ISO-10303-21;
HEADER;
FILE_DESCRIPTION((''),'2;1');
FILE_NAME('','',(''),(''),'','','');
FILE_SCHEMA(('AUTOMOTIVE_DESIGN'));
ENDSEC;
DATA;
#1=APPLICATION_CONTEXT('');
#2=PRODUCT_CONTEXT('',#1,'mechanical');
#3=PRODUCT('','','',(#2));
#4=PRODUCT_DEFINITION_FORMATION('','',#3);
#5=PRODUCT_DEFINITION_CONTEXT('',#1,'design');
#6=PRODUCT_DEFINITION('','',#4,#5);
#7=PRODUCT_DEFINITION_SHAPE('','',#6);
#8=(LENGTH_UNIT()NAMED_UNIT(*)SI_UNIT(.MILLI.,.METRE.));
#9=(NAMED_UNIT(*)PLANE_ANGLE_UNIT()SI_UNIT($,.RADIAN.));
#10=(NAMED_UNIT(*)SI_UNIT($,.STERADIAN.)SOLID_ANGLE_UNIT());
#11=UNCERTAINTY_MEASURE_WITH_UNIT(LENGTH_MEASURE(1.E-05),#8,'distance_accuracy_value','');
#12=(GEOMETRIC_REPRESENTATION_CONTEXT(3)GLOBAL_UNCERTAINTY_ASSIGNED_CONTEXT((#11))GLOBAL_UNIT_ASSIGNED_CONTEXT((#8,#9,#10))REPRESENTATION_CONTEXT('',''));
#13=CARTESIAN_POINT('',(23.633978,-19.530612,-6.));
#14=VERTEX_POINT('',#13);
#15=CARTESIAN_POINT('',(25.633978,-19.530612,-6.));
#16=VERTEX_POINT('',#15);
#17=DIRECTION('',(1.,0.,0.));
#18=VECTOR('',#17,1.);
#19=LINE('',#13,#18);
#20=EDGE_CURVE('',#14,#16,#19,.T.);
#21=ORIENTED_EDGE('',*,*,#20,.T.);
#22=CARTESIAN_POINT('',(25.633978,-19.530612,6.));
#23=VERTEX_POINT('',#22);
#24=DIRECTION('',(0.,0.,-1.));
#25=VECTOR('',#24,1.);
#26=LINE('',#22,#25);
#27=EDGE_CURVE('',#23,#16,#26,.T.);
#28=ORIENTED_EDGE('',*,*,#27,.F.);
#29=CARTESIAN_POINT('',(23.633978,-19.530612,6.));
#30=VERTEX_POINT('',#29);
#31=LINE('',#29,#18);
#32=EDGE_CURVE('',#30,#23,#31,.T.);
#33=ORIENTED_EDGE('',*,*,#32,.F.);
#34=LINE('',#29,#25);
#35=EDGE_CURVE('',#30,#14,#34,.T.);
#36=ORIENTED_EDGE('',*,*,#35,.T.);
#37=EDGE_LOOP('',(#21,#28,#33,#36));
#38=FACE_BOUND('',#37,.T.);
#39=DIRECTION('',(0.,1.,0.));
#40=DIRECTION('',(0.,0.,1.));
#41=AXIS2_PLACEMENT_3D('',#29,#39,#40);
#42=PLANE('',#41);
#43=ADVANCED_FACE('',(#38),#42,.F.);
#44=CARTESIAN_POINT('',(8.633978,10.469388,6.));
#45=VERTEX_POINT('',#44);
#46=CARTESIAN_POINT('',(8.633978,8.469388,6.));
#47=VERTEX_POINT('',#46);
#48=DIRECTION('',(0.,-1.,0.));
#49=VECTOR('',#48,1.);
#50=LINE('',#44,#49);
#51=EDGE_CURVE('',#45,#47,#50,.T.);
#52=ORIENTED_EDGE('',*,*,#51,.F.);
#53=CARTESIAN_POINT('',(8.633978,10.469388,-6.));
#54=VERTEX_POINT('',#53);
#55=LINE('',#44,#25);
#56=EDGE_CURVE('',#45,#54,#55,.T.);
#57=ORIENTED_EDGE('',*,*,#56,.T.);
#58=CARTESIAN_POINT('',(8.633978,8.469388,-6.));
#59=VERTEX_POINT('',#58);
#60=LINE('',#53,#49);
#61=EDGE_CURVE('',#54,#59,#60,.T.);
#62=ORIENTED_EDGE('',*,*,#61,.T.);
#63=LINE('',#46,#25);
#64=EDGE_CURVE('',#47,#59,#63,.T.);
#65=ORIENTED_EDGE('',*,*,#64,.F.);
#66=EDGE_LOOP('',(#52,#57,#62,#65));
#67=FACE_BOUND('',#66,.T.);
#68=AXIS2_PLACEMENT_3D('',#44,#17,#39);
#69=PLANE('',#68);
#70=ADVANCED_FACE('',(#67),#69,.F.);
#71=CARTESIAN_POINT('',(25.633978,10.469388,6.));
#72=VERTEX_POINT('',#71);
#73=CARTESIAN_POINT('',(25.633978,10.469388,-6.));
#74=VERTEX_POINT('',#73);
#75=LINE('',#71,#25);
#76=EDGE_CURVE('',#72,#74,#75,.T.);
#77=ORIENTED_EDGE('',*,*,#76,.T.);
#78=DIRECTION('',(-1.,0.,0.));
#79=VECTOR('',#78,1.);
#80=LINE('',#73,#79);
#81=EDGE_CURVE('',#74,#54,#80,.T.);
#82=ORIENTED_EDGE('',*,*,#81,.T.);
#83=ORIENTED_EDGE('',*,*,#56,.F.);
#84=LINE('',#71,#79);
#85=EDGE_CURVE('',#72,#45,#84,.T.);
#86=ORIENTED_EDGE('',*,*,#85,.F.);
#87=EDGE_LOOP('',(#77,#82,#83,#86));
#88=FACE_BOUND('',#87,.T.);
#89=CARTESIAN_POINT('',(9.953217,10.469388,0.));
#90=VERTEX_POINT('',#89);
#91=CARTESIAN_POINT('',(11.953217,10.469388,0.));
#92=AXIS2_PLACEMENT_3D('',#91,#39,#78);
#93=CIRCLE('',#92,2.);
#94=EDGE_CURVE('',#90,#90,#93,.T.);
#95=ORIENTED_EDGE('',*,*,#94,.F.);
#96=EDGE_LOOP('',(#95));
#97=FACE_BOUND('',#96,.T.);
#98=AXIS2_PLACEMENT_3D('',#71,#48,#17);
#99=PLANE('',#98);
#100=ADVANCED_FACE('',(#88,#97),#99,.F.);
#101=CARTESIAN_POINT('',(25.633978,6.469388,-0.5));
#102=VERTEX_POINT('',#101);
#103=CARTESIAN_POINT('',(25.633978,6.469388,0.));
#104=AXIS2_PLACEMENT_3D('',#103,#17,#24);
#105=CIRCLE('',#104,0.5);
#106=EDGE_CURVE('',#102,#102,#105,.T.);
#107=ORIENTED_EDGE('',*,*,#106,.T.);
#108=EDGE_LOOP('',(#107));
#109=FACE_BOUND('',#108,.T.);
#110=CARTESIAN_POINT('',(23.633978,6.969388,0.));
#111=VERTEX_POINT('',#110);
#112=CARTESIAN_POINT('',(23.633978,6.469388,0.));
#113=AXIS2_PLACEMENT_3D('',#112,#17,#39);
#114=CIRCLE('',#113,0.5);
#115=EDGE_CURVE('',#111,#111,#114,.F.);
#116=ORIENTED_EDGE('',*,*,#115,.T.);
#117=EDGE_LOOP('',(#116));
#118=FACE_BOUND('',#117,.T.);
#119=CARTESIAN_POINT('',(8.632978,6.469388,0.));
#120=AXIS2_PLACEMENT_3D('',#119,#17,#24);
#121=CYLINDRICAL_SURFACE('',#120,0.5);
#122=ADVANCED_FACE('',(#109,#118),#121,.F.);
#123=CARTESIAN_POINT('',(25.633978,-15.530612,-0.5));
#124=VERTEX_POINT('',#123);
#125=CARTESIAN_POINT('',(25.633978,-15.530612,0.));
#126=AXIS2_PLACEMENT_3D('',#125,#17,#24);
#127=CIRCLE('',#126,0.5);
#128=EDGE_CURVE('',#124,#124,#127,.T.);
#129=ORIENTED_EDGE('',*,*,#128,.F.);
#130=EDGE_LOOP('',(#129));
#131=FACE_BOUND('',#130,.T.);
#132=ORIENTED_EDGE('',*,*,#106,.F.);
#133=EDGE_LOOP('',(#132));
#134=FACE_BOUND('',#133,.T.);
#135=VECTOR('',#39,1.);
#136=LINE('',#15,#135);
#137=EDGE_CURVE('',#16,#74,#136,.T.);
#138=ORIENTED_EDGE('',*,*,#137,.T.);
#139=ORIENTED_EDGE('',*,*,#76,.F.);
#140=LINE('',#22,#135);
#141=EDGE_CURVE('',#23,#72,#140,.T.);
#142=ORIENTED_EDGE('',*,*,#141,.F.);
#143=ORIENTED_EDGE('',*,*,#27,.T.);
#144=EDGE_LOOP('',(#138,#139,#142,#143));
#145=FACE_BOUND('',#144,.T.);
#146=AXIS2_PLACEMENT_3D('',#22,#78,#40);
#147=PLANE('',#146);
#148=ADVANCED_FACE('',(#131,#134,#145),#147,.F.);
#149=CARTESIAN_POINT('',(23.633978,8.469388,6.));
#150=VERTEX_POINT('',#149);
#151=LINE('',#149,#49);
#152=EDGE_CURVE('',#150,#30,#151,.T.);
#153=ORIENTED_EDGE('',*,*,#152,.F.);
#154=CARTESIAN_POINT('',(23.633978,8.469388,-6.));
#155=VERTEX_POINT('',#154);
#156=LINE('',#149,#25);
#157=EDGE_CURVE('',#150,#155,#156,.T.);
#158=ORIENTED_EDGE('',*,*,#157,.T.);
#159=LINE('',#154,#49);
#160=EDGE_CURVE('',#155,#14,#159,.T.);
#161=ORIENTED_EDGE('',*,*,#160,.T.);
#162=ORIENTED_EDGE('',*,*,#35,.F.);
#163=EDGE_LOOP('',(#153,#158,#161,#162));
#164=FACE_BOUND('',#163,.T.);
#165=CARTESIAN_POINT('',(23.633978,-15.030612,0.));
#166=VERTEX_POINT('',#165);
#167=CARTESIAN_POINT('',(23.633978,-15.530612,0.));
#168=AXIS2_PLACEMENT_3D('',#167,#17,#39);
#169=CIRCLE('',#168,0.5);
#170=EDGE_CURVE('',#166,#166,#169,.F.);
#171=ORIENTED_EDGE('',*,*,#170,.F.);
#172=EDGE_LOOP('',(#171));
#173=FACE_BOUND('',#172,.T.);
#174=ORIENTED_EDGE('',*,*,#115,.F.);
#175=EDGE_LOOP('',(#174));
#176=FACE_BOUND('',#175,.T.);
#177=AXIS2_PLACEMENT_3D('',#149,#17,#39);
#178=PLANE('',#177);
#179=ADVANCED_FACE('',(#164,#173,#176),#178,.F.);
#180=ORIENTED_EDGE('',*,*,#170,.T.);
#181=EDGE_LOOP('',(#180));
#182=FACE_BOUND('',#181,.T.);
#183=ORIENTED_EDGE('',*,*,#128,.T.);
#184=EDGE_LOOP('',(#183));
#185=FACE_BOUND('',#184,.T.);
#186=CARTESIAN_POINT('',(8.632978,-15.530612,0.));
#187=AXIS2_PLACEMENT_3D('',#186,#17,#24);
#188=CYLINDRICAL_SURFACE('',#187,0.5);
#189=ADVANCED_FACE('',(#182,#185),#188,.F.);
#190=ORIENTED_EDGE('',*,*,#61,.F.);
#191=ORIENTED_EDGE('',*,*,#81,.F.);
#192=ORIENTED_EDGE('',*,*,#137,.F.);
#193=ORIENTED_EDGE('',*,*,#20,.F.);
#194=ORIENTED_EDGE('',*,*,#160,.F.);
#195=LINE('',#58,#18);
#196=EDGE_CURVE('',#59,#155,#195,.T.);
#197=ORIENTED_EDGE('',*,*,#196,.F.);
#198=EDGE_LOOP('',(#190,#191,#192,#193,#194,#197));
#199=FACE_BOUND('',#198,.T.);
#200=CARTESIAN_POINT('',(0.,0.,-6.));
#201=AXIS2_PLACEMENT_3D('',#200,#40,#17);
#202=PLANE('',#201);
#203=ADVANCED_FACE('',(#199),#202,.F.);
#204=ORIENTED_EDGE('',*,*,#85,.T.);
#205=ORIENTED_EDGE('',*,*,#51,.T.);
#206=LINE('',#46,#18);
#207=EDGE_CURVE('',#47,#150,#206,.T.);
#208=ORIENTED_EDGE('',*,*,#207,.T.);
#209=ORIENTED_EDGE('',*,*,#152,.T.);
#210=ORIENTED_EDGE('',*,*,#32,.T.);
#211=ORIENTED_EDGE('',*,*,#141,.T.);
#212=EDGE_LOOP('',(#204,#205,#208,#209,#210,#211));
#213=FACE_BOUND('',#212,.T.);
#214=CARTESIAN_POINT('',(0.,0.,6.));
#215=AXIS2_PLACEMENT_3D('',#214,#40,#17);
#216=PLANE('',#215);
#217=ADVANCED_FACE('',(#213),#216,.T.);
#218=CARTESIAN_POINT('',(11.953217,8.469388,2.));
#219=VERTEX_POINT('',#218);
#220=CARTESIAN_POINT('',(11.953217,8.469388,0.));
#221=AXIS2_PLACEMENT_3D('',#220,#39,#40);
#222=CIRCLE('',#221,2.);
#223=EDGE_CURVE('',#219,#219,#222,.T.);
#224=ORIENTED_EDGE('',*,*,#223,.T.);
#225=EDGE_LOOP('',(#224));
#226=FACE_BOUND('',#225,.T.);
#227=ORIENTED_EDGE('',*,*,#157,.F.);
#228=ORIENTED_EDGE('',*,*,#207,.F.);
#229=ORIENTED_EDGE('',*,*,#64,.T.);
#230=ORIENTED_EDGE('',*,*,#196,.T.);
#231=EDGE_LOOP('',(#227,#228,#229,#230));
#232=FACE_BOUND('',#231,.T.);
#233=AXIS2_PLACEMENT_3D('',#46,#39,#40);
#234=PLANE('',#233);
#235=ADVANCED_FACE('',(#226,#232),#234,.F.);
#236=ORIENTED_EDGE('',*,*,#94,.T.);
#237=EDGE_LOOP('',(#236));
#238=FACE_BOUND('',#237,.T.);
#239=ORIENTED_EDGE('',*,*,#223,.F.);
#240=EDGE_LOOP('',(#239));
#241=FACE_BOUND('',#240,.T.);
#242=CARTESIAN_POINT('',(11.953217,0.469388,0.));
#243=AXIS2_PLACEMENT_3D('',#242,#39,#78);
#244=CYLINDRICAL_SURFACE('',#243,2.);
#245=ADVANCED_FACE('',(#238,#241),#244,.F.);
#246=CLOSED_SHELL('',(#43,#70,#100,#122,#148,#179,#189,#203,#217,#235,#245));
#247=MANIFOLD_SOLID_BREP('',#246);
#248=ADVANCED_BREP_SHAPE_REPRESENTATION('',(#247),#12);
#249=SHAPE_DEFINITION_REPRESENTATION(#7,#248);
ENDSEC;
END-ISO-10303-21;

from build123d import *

# Parameters (mm, degrees)
BOSS_EXTRUDE1_DEPTH = 6
SKETCH2_R           = 2
CUT_EXTRUDE1_DEPTH  = 10
CUT_EXTRUDE2_REACH  = 28.579
SKETCH3_R           = 0.5


with BuildPart() as part:
    # Sketch1 → Boss-Extrude1 (new, symmetric)
    with BuildSketch(Plane.XY):
        Polygon((8.63397831, 8.469387755), (23.63397831, 8.469387755), (23.63397831, -19.530612245), (25.63397831, -19.530612245), (25.63397831, 10.469387755), (8.63397831, 10.469387755), align=None)
    extrude(amount=BOSS_EXTRUDE1_DEPTH, both=True)

    # Sketch2 → Cut-Extrude1 (cut)
    with BuildSketch(Plane(origin=(0, 10.469387755, 0), x_dir=(1, 0, 0), z_dir=(0, 1, 0))):
        with Locations(Location((11.953216886, 0, 0), (0, 0, 180))):
            Circle(SKETCH2_R)
    extrude(amount=-CUT_EXTRUDE1_DEPTH, mode=Mode.SUBTRACT)

    # Sketch3 → Cut-Extrude2 (cut, up to next)
    with BuildSketch(Plane(origin=(25.63397831, 0, 0), x_dir=(0, 0, -1), z_dir=(1, 0, 0)), mode=Mode.PRIVATE) as cut_extrude2_sk1:
        with Locations((0, -15.530612245)):
            Circle(SKETCH3_R)
    cut_extrude2_tool1 = extrude(cut_extrude2_sk1.sketch, amount=-CUT_EXTRUDE2_REACH, mode=Mode.PRIVATE) & part.part
    # Sketch3 → Cut-Extrude2 (cut, up to next)
    with BuildSketch(Plane(origin=(25.63397831, 0, 0), x_dir=(0, 0, -1), z_dir=(1, 0, 0)), mode=Mode.PRIVATE) as cut_extrude2_sk2:
        with Locations((0, 6.469387755)):
            Circle(SKETCH3_R)
    cut_extrude2_tool2 = extrude(cut_extrude2_sk2.sketch, amount=-CUT_EXTRUDE2_REACH, mode=Mode.PRIVATE) & part.part
    add(cut_extrude2_tool1.solids().sort_by_distance((25.633978, -15.530612, 0))[0], mode=Mode.SUBTRACT)
    add(cut_extrude2_tool2.solids().sort_by_distance((25.633978, 6.469388, 0))[0], mode=Mode.SUBTRACT)


solid = part.part
